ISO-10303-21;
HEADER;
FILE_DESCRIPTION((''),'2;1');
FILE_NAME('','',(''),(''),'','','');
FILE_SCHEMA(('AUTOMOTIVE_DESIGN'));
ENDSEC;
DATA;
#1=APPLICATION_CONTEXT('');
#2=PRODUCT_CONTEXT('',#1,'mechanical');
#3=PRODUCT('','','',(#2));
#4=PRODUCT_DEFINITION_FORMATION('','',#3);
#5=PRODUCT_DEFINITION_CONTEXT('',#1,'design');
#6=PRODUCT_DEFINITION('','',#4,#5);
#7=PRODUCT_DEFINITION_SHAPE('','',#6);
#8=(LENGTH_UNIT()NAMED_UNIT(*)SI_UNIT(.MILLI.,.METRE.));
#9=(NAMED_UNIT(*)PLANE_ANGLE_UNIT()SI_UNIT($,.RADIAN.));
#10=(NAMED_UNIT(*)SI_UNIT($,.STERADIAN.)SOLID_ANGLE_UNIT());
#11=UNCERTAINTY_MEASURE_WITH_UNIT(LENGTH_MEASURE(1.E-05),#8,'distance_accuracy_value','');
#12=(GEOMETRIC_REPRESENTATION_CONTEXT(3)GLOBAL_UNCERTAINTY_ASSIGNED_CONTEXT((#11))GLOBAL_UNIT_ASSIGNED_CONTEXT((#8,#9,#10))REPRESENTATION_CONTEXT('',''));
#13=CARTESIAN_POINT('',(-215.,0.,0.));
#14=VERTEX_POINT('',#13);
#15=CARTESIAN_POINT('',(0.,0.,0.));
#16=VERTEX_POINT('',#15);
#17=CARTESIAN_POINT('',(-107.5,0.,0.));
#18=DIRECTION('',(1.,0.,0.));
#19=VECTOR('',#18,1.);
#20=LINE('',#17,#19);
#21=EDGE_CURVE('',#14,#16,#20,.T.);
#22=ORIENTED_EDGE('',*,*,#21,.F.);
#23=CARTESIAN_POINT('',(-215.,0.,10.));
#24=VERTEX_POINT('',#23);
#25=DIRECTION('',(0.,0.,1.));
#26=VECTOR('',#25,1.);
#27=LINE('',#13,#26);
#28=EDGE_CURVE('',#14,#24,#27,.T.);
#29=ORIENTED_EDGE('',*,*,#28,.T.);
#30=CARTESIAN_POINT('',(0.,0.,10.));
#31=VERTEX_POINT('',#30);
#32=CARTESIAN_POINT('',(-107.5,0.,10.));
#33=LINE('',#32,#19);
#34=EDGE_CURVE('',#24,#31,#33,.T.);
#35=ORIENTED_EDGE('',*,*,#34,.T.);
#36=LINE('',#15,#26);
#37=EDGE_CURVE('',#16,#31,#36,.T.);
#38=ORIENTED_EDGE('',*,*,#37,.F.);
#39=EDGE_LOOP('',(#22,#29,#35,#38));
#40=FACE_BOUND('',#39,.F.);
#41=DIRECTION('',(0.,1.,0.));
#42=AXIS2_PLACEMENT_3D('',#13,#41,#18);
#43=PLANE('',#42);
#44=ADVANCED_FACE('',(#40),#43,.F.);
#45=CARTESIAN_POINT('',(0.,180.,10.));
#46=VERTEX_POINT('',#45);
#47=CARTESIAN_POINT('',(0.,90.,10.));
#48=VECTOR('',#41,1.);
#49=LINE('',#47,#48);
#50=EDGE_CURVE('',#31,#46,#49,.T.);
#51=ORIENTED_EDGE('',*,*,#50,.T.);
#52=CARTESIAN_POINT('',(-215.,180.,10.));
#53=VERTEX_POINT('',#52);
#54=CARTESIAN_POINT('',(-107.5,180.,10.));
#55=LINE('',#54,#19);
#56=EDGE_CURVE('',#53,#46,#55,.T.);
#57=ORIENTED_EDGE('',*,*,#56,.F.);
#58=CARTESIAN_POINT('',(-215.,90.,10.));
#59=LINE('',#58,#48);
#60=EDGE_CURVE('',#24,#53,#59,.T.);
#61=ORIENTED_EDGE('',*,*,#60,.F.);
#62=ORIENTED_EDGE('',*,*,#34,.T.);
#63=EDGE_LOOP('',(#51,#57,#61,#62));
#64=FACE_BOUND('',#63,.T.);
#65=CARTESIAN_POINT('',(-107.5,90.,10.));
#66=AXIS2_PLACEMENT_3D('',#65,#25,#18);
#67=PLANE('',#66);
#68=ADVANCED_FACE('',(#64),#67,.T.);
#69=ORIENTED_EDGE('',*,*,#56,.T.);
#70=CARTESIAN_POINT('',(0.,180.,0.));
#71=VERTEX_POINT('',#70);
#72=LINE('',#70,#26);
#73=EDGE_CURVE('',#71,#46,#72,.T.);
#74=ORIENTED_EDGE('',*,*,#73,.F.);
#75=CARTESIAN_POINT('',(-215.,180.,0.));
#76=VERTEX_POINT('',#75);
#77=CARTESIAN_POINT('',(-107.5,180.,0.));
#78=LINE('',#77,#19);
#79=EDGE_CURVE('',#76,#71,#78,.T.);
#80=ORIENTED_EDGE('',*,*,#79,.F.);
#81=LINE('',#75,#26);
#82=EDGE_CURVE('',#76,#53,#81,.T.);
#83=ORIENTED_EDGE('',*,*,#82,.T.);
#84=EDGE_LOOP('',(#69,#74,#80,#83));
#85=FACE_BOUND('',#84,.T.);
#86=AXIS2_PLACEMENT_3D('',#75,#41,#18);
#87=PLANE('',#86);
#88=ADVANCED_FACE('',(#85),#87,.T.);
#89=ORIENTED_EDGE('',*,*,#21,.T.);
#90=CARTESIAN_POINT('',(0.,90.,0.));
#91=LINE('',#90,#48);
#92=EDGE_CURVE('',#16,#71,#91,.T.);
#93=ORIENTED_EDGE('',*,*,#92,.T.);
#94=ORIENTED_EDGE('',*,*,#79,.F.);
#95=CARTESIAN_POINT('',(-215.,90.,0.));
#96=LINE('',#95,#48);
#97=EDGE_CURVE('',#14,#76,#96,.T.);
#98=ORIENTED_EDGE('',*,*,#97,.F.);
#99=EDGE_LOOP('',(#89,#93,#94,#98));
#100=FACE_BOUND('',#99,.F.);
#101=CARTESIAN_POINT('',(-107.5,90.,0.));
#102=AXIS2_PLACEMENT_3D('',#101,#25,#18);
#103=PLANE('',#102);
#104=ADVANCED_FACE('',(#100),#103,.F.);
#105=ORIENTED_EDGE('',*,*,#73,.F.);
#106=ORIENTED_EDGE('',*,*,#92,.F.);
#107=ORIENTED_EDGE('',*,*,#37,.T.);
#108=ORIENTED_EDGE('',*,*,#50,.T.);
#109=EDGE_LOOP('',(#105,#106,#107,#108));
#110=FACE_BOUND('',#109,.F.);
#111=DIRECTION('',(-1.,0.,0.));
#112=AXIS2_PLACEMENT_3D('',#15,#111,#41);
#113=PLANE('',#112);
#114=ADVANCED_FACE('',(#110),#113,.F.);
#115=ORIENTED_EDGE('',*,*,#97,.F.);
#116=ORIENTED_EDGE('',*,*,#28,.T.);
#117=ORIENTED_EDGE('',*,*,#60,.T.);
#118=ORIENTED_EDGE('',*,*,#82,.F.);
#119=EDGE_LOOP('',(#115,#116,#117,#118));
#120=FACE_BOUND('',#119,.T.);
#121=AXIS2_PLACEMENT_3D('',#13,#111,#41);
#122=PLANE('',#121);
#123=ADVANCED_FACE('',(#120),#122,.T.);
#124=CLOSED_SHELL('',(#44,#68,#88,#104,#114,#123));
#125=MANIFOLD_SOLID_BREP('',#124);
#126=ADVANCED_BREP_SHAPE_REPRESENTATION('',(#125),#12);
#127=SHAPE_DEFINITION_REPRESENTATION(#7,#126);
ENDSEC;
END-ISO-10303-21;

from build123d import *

# Parameters (mm, degrees)
SKETCH_W  = 215
SKETCH_H  = 180
PAD_DEPTH = 10


with BuildPart() as part:
    # Sketch → Pad (new body)
    with BuildSketch(Plane.XY):
        with Locations((-107.5, 90)):
            Rectangle(SKETCH_W, SKETCH_H)
    extrude(amount=PAD_DEPTH)


solid = part.part
